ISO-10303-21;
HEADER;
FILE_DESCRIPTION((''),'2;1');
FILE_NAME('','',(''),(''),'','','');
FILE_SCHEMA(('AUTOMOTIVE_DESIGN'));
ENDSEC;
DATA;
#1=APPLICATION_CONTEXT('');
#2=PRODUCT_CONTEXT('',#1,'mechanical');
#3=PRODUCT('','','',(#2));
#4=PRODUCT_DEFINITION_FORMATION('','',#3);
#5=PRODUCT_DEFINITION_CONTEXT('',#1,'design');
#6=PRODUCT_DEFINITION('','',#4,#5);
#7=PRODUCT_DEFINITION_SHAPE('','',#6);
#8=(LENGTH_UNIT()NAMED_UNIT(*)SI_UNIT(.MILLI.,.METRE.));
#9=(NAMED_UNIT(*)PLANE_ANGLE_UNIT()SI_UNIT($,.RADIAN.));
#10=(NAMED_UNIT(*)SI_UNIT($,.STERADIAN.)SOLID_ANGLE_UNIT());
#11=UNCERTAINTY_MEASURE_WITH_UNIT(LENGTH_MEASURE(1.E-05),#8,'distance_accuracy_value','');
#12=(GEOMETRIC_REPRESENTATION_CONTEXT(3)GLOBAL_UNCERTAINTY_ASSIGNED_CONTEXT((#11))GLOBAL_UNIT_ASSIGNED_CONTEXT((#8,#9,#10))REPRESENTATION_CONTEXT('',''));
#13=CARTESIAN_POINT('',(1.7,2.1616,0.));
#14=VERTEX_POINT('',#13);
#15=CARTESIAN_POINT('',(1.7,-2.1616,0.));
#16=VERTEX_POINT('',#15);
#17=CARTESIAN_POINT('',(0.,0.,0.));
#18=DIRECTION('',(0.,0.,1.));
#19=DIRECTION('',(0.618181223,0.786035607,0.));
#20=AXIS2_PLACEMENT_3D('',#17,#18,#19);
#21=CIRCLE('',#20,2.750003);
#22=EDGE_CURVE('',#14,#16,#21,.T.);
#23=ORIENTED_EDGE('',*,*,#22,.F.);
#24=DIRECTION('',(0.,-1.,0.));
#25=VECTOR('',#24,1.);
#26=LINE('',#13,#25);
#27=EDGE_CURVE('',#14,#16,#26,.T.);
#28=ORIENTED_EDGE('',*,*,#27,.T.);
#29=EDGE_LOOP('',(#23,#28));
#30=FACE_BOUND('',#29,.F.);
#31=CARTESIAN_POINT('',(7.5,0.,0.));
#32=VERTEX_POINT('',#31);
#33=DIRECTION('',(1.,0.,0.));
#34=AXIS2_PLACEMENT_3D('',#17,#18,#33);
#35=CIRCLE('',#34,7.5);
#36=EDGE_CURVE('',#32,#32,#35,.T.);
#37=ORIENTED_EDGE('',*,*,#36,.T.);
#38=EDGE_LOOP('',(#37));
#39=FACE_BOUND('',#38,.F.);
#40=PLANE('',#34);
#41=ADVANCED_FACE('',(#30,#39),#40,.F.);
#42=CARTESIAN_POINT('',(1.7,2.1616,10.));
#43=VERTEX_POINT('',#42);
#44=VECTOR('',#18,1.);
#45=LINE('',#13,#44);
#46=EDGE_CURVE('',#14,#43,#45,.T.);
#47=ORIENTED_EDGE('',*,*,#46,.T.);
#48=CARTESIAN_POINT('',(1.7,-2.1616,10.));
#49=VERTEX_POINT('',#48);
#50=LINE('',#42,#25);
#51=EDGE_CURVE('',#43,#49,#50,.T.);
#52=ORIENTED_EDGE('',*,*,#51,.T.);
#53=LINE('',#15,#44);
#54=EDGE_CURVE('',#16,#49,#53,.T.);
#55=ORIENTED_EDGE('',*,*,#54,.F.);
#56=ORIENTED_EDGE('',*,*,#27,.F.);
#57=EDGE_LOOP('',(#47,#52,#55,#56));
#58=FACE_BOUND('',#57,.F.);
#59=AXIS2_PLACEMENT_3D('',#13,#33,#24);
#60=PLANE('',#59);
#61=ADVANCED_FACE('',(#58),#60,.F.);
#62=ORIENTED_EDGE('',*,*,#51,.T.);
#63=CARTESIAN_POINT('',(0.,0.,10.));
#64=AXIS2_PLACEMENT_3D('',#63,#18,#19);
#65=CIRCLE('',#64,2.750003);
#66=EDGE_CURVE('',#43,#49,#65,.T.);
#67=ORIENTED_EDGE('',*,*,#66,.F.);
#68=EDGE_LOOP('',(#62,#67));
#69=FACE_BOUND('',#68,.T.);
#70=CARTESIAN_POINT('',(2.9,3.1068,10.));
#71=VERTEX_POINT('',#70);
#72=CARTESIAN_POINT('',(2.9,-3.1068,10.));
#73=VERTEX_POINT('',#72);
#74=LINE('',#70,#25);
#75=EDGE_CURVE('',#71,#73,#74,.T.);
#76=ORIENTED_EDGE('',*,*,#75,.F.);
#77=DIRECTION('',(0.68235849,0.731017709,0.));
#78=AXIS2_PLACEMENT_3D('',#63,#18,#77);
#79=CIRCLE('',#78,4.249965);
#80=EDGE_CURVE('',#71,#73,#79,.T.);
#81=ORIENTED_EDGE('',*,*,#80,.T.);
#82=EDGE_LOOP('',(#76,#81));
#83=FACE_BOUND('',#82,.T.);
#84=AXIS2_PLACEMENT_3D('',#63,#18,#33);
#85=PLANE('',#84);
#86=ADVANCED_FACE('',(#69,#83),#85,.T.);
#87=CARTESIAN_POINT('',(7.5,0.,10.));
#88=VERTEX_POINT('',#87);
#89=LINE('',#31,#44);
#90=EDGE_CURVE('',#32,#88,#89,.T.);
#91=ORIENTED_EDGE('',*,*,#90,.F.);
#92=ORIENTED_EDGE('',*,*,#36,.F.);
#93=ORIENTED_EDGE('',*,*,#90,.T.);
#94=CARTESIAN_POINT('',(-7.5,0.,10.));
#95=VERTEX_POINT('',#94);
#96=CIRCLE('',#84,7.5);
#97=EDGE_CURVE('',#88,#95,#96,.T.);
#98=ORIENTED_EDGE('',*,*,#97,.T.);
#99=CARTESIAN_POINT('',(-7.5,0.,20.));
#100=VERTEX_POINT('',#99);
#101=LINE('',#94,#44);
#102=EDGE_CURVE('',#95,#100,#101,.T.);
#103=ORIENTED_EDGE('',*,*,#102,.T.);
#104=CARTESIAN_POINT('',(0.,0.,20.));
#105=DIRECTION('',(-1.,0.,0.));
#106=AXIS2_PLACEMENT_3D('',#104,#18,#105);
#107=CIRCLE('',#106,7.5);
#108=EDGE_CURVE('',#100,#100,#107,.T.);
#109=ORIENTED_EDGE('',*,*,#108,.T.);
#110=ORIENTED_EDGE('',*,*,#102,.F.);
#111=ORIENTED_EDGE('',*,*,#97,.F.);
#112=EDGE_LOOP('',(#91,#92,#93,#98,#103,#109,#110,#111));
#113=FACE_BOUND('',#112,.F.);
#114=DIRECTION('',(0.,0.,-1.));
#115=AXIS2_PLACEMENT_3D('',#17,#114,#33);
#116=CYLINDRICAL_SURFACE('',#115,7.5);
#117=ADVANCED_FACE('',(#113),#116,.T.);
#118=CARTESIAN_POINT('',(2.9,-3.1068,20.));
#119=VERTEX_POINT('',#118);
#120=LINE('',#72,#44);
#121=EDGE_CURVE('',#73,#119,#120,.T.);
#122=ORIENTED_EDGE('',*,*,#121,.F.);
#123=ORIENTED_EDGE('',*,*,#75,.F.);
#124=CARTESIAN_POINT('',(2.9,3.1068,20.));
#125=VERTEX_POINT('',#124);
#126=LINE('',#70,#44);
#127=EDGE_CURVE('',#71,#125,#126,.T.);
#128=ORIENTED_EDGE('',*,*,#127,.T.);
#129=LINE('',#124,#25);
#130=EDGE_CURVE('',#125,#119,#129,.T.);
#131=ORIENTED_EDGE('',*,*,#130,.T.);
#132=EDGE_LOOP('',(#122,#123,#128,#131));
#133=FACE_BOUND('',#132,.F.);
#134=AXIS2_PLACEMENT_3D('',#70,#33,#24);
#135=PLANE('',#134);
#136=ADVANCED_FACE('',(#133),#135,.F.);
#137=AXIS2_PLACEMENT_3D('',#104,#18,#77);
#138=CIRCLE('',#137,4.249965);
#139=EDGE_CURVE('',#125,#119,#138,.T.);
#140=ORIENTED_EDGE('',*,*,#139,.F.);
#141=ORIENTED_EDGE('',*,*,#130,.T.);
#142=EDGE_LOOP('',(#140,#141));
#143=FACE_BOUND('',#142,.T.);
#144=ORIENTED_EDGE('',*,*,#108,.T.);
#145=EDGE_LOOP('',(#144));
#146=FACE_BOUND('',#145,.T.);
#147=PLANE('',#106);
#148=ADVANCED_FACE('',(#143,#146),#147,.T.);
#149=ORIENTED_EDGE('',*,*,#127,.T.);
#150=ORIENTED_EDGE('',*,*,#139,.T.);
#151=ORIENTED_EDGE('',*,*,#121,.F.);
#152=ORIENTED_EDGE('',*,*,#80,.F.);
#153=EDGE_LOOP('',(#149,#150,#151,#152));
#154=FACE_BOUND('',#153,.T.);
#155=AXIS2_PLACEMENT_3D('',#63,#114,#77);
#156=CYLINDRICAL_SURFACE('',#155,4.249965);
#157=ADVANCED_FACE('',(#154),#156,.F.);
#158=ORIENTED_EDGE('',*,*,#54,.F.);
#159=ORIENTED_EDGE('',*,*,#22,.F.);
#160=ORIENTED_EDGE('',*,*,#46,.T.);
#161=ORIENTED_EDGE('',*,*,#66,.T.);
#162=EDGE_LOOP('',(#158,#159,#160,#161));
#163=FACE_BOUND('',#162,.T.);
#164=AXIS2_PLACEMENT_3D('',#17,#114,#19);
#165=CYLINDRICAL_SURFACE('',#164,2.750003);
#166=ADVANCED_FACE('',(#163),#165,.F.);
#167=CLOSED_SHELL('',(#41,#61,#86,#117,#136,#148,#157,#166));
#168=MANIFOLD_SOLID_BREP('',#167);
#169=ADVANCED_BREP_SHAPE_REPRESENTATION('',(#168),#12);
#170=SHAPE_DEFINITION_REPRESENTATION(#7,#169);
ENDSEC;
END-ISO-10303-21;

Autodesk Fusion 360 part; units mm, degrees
sketch "Sketch5" plane through (0, 0, 0) normal (0, 0, 1) x (1, 0, 0)
  circle A0 centre (0, 0) radius 7.5
  line L0 (1.7, 2.1616) -> (1.7, -2.1616)
  arc A1 (1.7, 2.1616) -> (1.7, -2.1616) centre (0, 0) ccw
  dimension "d19" = 15
  dimension "d29" = 5.5
  dimension "d30" = 1.7
extrude "Extrude7" add sketch "Sketch5" along normal blind 10
sketch "Sketch7" plane through (0, 0, 10) normal (0, 0, 1) x (-1, 0, 0)
  arc A0 (-1.7, -2.1616) -> (-1.7, 2.1616) centre (0, 0) ccw
  line L0 (-1.7, -2.1616) -> (-1.7, 2.1616)
  circle A1 centre (0, 0) radius 7.5
  circle A2 centre (0, 0) radius 7.5
  line L1 (-2.9, -3.1068) -> (-2.9, 3.1068)
  arc A3 (-2.9, -3.1068) -> (-2.9, 3.1068) centre (0, 0) ccw
  dimension "d35" = 8.5
  dimension "d36" = 2.9
extrude "Extrude8" add sketch "Sketch7" along normal blind 10 contours A1 A2
